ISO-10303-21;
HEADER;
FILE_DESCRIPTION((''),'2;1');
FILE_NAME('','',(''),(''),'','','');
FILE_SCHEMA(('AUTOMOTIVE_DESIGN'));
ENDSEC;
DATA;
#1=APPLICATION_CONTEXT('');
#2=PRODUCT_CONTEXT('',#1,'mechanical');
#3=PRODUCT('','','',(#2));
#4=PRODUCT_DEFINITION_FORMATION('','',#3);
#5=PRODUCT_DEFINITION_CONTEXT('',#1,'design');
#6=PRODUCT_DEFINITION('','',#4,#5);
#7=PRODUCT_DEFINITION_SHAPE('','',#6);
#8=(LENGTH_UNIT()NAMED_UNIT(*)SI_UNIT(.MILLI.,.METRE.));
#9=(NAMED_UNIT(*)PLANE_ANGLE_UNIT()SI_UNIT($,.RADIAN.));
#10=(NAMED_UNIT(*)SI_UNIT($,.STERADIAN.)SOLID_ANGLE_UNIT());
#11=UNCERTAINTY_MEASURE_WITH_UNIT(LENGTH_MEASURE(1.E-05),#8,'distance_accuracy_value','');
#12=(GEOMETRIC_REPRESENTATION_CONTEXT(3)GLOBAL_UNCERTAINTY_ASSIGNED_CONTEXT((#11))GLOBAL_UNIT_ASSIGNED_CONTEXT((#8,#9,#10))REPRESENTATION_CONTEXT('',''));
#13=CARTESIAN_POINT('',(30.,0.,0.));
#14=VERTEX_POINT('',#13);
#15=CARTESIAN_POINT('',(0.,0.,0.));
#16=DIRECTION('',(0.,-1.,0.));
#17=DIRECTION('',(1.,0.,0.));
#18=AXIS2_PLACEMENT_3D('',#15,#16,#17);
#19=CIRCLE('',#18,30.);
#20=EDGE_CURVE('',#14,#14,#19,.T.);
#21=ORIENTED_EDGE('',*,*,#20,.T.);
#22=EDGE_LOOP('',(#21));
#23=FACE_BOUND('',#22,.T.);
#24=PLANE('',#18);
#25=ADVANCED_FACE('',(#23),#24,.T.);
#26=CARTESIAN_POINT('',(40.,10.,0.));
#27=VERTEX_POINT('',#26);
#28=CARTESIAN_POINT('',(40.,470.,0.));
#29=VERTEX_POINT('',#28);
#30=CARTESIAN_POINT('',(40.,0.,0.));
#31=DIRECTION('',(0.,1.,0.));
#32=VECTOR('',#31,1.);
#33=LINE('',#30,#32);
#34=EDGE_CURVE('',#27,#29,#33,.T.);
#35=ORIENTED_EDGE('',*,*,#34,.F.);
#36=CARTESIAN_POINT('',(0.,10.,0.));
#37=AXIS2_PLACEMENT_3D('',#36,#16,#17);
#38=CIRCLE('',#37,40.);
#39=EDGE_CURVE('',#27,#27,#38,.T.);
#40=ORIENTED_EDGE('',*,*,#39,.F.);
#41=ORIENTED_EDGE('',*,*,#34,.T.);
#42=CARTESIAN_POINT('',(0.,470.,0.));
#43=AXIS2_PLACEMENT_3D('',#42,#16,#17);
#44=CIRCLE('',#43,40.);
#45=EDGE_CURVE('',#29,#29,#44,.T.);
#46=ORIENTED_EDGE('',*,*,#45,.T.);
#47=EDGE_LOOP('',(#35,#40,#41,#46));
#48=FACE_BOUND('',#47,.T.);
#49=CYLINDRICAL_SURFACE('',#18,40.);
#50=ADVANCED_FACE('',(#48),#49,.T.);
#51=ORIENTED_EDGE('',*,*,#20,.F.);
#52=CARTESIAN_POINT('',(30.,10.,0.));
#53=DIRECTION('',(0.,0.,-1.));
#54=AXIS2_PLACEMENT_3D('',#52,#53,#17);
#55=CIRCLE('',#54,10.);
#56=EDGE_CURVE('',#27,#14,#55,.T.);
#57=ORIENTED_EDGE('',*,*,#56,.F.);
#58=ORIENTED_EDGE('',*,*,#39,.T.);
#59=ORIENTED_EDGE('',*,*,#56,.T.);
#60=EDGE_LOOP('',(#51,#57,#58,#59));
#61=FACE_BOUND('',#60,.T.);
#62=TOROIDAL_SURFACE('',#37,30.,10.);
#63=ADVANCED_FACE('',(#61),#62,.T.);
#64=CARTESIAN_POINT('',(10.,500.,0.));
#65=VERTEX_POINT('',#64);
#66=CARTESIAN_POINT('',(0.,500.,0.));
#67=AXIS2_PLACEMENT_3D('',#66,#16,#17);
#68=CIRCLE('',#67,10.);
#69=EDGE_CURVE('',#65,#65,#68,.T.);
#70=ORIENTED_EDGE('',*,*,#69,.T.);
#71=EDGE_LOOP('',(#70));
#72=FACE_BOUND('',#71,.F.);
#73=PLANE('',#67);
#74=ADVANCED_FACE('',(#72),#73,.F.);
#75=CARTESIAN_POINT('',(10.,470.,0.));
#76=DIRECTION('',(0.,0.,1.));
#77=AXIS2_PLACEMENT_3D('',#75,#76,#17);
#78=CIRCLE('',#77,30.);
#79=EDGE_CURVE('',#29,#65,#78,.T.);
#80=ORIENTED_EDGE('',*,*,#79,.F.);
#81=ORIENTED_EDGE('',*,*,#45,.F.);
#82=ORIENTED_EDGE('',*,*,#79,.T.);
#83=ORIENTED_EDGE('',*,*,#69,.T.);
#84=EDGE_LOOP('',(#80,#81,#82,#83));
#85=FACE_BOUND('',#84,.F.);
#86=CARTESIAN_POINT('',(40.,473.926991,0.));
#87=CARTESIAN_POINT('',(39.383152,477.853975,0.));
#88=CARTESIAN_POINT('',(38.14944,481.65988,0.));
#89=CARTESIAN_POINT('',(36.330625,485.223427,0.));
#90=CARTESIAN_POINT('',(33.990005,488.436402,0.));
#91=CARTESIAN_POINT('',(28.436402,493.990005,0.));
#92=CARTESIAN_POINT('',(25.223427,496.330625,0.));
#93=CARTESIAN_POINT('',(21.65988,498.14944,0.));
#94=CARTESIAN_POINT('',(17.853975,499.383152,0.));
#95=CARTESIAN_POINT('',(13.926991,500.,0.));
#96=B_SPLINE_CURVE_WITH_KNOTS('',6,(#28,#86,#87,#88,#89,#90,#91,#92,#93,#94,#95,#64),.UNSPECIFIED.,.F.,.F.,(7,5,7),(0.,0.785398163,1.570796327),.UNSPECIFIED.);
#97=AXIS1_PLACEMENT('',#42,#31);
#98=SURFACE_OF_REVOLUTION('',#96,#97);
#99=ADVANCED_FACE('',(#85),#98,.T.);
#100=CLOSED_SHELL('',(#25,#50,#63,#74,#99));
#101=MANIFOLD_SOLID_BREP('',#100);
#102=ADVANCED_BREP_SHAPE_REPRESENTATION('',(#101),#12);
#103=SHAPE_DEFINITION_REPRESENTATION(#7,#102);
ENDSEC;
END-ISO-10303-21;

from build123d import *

# Parameters (mm, degrees)
F0_R     = 40
F1_DEPTH = 500
F2_R     = 30
F3_R     = 10


with BuildPart() as f1:
    # F0 (on Front) → F1 (new body)
    with BuildSketch(Plane.XZ):
        Circle(F0_R)
    extrude(amount=-F1_DEPTH)

    # F2
    f2_edges = [f1.edges().sort_by_distance(p)[0] for p in [
        (-40, 500, 0),
    ]]
    fillet(f2_edges, radius=F2_R)

    # F3
    f3_edges = [f1.edges().sort_by_distance(p)[0] for p in [
        (-40, 0, 0),
    ]]
    fillet(f3_edges, radius=F3_R)


solid = f1.part
